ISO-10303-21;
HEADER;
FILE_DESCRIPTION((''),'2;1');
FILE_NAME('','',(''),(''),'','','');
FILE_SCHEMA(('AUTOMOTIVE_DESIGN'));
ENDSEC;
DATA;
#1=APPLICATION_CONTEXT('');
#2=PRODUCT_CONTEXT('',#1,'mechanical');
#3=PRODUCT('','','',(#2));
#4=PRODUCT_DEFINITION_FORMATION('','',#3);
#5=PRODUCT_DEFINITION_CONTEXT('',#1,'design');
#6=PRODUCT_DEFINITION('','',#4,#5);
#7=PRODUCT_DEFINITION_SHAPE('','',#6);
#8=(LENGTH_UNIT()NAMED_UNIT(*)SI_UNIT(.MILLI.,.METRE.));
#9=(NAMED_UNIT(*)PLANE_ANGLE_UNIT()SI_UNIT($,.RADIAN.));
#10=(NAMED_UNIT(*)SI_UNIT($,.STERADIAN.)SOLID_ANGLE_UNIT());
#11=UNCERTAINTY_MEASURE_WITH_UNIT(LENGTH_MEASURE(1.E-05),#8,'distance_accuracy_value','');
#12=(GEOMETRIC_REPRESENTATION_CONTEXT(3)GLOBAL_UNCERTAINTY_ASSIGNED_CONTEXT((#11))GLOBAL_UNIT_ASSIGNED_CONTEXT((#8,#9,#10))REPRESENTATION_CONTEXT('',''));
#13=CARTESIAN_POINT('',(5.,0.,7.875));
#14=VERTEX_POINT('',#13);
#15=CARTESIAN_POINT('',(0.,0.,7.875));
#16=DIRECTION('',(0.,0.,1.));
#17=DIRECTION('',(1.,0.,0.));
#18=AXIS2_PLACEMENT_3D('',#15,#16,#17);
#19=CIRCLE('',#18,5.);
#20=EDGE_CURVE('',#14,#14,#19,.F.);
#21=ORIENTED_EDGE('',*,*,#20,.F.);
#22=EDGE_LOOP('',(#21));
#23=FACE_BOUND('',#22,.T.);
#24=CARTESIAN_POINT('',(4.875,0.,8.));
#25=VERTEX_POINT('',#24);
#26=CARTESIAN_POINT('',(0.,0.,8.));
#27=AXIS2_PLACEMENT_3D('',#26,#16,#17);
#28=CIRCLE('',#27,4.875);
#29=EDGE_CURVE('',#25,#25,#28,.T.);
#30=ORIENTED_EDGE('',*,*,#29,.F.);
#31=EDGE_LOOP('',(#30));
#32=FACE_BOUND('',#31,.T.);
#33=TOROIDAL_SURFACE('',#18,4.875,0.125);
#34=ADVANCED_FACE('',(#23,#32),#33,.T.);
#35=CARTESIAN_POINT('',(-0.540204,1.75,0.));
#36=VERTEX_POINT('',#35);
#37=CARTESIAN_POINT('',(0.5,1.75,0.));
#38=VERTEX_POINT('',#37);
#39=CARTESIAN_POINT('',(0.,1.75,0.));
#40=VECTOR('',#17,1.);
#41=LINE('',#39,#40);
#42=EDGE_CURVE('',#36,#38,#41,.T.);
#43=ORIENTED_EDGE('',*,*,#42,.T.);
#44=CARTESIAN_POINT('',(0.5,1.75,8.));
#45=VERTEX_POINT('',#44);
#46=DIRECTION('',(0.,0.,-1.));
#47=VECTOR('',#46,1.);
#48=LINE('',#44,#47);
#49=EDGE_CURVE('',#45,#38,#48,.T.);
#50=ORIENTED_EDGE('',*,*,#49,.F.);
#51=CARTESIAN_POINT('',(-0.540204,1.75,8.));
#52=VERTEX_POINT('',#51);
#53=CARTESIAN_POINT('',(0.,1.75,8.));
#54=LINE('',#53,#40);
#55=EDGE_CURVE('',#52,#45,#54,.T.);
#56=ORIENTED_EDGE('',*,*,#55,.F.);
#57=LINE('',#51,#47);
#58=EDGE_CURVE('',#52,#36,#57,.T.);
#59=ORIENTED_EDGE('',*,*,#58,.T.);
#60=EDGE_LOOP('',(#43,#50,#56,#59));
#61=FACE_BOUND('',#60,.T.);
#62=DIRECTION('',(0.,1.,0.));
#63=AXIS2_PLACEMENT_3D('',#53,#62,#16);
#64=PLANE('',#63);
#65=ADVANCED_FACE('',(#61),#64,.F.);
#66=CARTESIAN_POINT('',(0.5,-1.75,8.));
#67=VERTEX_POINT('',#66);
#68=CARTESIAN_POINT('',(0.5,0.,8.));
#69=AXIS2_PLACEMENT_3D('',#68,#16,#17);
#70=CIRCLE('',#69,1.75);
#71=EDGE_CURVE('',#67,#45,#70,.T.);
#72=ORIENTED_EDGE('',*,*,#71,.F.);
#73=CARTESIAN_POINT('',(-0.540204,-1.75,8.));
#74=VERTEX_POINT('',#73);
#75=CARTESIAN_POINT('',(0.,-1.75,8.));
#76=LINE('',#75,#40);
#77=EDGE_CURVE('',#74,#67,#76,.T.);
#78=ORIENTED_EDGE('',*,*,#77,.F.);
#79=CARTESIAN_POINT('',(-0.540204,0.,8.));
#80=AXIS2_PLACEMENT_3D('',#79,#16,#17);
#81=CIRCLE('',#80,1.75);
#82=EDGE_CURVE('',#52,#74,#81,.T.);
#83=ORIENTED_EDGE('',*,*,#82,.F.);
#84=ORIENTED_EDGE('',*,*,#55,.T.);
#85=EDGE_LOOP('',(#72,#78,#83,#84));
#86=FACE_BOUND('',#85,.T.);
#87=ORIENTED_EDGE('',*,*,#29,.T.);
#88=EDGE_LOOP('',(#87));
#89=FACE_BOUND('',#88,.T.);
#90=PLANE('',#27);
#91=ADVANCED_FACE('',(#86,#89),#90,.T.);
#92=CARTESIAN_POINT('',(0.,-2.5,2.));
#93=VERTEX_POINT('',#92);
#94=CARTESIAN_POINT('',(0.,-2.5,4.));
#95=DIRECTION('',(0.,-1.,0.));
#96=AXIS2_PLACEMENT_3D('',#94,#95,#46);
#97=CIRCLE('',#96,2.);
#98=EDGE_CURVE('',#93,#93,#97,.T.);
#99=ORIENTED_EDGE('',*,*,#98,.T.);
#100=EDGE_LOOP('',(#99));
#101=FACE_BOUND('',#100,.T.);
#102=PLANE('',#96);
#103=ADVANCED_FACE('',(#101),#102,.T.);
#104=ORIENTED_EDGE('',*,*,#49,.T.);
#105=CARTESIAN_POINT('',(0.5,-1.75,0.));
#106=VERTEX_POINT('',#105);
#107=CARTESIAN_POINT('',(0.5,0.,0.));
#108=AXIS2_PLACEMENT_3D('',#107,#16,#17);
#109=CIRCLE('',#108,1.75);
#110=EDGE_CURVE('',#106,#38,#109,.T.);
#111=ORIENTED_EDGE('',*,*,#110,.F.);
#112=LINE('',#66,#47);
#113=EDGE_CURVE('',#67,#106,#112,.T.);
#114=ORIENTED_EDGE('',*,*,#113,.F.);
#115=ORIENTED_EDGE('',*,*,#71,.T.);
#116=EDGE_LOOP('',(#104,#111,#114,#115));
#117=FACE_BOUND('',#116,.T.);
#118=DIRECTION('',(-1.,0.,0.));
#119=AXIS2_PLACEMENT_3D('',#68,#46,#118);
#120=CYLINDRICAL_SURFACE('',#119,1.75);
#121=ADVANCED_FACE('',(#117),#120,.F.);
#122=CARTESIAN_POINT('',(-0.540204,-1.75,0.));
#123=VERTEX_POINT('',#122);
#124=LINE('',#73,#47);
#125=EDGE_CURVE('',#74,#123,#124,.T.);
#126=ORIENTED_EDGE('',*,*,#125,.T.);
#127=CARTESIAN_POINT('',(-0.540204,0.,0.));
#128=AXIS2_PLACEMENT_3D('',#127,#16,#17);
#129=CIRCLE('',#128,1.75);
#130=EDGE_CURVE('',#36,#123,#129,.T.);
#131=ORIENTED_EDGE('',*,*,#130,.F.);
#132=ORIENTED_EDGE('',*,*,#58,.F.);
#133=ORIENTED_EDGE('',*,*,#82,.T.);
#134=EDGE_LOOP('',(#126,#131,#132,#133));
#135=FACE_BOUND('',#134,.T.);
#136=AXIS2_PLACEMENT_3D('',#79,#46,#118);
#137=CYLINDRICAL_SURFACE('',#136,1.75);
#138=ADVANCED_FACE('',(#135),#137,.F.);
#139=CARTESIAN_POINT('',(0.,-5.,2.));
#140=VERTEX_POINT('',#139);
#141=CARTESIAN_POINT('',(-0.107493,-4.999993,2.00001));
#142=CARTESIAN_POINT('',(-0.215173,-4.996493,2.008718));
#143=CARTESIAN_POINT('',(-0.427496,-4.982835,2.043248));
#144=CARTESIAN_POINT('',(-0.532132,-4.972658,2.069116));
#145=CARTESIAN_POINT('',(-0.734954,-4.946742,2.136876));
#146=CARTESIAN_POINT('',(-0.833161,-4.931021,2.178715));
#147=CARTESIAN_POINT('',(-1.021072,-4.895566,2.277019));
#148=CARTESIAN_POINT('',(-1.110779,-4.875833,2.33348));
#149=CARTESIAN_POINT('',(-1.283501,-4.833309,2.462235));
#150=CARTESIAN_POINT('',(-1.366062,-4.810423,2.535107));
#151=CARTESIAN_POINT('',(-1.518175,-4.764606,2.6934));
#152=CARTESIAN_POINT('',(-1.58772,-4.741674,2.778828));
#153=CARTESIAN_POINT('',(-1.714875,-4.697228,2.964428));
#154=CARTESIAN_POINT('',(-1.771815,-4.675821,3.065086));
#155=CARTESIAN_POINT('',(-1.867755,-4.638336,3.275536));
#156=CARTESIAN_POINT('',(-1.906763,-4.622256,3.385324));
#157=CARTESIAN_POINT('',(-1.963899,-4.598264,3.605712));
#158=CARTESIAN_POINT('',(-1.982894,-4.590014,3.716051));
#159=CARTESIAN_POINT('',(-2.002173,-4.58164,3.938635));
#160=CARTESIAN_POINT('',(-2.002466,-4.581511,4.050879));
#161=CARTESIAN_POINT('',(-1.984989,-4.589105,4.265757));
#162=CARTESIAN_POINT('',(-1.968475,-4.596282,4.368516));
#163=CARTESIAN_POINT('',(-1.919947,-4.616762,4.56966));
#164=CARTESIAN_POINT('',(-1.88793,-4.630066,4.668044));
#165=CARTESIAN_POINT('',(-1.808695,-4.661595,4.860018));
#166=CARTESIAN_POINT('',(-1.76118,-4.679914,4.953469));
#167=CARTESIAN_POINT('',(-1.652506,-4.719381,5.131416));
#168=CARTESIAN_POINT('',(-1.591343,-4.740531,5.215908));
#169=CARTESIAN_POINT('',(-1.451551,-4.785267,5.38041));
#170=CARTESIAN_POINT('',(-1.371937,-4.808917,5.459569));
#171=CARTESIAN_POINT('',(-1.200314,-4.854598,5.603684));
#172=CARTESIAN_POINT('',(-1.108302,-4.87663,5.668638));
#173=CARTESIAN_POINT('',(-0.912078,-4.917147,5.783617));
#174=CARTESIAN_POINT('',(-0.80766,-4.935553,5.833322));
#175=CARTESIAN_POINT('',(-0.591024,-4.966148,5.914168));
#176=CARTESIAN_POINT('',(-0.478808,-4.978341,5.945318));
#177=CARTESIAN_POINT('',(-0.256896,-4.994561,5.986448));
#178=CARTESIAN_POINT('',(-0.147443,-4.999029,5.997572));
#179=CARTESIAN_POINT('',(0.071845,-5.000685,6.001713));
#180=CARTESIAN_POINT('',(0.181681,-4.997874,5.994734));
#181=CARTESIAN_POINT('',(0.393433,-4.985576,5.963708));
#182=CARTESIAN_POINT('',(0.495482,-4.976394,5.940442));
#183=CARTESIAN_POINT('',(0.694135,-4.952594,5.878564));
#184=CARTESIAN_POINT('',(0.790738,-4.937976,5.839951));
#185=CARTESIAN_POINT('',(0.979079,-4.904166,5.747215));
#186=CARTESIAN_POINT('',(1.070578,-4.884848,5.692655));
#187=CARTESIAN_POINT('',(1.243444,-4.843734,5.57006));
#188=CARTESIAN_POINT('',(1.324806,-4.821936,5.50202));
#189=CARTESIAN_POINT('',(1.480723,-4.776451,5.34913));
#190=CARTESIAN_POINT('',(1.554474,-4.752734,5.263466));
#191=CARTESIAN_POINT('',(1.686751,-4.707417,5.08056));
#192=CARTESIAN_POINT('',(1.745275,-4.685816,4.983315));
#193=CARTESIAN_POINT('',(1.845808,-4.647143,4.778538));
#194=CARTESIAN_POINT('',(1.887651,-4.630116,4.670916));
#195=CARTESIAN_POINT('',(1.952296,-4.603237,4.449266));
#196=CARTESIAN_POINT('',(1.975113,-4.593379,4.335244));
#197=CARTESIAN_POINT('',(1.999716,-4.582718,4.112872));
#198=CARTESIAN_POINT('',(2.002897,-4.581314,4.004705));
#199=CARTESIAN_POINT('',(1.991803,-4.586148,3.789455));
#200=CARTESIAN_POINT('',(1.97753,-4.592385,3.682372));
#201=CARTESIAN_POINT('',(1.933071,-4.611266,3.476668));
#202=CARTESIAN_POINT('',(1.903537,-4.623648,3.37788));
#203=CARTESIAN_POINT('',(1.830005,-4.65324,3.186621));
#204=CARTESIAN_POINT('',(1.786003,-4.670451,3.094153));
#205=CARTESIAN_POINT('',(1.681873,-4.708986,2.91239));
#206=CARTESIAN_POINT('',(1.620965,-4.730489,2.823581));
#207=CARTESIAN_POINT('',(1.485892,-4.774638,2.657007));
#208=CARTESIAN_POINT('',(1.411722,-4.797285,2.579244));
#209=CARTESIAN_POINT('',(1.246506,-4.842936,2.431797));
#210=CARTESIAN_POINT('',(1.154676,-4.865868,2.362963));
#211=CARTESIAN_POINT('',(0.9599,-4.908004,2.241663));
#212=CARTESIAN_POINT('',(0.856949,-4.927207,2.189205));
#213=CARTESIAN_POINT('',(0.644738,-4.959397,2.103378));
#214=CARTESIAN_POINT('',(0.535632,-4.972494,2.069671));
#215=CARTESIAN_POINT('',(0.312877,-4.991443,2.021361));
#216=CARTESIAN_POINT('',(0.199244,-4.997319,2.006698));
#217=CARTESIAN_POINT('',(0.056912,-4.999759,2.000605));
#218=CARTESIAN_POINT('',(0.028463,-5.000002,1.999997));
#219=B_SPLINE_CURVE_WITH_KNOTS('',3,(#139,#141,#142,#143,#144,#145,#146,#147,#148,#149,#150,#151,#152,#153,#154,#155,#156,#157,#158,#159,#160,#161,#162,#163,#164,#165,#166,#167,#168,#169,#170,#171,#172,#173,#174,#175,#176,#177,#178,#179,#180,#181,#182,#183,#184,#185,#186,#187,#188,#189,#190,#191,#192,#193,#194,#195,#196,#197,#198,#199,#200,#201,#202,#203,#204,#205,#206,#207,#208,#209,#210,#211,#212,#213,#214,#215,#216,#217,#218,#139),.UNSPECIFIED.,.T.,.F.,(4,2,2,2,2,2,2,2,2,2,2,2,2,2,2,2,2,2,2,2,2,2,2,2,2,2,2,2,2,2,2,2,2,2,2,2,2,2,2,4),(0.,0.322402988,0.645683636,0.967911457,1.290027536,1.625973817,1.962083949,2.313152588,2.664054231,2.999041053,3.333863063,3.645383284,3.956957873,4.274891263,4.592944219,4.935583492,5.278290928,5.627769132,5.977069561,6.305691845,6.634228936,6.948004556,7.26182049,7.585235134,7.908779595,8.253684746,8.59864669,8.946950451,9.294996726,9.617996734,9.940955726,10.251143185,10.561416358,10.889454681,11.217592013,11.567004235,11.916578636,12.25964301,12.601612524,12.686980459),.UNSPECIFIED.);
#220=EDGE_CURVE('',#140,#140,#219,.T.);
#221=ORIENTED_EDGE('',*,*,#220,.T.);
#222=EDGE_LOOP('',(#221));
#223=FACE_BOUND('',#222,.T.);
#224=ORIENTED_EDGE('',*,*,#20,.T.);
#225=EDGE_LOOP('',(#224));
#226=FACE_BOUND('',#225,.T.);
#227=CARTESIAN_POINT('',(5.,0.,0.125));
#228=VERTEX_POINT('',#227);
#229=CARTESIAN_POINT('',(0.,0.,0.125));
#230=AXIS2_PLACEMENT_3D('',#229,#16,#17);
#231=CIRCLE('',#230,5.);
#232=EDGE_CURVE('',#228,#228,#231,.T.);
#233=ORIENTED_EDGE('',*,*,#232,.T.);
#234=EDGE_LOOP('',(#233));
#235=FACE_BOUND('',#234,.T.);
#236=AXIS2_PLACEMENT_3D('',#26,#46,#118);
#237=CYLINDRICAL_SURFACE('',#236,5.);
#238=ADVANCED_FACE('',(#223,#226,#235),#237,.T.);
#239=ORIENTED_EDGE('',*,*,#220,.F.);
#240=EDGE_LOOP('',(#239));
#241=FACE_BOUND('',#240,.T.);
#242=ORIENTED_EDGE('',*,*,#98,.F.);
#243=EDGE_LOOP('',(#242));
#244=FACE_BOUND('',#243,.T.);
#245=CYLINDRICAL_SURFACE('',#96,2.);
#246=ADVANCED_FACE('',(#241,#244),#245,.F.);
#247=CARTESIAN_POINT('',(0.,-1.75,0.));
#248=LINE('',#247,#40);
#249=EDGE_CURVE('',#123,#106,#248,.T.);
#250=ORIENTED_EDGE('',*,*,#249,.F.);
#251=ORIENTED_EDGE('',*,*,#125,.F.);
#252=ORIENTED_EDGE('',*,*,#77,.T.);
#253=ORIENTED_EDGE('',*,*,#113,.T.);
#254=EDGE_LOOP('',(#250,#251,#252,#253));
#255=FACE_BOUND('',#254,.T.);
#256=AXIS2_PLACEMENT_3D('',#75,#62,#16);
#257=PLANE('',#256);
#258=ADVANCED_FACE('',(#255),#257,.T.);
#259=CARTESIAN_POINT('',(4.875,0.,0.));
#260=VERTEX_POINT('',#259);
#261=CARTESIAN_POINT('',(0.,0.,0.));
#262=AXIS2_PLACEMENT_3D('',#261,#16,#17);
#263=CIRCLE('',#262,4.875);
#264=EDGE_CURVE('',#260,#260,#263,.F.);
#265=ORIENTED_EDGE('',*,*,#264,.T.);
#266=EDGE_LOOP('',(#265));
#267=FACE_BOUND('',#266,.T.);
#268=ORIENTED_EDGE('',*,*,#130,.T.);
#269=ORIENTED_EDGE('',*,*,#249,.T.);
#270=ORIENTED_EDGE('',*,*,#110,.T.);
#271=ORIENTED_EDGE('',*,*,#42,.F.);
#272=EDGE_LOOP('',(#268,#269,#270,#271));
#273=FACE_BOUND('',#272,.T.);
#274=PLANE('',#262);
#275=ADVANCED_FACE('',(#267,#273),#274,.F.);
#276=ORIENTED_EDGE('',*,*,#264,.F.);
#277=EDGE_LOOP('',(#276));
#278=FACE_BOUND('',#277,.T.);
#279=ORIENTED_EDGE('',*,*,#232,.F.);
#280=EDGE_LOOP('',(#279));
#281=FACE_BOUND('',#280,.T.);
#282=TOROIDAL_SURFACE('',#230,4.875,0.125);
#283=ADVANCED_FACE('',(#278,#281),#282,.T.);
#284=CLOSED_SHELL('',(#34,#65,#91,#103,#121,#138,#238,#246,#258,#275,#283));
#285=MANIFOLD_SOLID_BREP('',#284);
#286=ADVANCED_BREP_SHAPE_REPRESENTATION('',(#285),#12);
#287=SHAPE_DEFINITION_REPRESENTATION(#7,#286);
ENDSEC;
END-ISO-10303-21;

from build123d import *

# Parameters (mm, degrees)
SKETCH1_R           = 5
BOSS_EXTRUDE1_DEPTH = 8
FILLET1_R           = 0.125
SKETCH4_R           = 2
CUT_EXTRUDE1_DEPTH  = 2.5


with BuildPart() as part:
    # Sketch1 → Boss-Extrude1 (new body)
    with BuildSketch(Plane.XY):
        Circle(SKETCH1_R)
        with BuildLine():
            ThreePointArc((0.5, -1.75), (2.25, 0), (0.5, 1.75))
            Line((0.5, 1.75), (-0.5402042, 1.75))
            ThreePointArc((-0.5402042, 1.75), (-2.2902042, 0), (-0.5402042, -1.75))
            Line((-0.5402042, -1.75), (0.5, -1.75))
        make_face(mode=Mode.SUBTRACT)
    extrude(amount=BOSS_EXTRUDE1_DEPTH)

    # Fillet1
    fillet1_edges = [part.edges().sort_by_distance(p)[0] for p in [
        (-5, 0, 8),
        (-5, 0, 0),
    ]]
    fillet(fillet1_edges, radius=FILLET1_R)

    # Sketch4 → Cut-Extrude1 (cut)
    with BuildSketch(Plane.XZ.offset(5)):
        with Locations((0, 4)):
            Circle(SKETCH4_R)
    extrude(amount=-CUT_EXTRUDE1_DEPTH, mode=Mode.SUBTRACT)


solid = part.part
